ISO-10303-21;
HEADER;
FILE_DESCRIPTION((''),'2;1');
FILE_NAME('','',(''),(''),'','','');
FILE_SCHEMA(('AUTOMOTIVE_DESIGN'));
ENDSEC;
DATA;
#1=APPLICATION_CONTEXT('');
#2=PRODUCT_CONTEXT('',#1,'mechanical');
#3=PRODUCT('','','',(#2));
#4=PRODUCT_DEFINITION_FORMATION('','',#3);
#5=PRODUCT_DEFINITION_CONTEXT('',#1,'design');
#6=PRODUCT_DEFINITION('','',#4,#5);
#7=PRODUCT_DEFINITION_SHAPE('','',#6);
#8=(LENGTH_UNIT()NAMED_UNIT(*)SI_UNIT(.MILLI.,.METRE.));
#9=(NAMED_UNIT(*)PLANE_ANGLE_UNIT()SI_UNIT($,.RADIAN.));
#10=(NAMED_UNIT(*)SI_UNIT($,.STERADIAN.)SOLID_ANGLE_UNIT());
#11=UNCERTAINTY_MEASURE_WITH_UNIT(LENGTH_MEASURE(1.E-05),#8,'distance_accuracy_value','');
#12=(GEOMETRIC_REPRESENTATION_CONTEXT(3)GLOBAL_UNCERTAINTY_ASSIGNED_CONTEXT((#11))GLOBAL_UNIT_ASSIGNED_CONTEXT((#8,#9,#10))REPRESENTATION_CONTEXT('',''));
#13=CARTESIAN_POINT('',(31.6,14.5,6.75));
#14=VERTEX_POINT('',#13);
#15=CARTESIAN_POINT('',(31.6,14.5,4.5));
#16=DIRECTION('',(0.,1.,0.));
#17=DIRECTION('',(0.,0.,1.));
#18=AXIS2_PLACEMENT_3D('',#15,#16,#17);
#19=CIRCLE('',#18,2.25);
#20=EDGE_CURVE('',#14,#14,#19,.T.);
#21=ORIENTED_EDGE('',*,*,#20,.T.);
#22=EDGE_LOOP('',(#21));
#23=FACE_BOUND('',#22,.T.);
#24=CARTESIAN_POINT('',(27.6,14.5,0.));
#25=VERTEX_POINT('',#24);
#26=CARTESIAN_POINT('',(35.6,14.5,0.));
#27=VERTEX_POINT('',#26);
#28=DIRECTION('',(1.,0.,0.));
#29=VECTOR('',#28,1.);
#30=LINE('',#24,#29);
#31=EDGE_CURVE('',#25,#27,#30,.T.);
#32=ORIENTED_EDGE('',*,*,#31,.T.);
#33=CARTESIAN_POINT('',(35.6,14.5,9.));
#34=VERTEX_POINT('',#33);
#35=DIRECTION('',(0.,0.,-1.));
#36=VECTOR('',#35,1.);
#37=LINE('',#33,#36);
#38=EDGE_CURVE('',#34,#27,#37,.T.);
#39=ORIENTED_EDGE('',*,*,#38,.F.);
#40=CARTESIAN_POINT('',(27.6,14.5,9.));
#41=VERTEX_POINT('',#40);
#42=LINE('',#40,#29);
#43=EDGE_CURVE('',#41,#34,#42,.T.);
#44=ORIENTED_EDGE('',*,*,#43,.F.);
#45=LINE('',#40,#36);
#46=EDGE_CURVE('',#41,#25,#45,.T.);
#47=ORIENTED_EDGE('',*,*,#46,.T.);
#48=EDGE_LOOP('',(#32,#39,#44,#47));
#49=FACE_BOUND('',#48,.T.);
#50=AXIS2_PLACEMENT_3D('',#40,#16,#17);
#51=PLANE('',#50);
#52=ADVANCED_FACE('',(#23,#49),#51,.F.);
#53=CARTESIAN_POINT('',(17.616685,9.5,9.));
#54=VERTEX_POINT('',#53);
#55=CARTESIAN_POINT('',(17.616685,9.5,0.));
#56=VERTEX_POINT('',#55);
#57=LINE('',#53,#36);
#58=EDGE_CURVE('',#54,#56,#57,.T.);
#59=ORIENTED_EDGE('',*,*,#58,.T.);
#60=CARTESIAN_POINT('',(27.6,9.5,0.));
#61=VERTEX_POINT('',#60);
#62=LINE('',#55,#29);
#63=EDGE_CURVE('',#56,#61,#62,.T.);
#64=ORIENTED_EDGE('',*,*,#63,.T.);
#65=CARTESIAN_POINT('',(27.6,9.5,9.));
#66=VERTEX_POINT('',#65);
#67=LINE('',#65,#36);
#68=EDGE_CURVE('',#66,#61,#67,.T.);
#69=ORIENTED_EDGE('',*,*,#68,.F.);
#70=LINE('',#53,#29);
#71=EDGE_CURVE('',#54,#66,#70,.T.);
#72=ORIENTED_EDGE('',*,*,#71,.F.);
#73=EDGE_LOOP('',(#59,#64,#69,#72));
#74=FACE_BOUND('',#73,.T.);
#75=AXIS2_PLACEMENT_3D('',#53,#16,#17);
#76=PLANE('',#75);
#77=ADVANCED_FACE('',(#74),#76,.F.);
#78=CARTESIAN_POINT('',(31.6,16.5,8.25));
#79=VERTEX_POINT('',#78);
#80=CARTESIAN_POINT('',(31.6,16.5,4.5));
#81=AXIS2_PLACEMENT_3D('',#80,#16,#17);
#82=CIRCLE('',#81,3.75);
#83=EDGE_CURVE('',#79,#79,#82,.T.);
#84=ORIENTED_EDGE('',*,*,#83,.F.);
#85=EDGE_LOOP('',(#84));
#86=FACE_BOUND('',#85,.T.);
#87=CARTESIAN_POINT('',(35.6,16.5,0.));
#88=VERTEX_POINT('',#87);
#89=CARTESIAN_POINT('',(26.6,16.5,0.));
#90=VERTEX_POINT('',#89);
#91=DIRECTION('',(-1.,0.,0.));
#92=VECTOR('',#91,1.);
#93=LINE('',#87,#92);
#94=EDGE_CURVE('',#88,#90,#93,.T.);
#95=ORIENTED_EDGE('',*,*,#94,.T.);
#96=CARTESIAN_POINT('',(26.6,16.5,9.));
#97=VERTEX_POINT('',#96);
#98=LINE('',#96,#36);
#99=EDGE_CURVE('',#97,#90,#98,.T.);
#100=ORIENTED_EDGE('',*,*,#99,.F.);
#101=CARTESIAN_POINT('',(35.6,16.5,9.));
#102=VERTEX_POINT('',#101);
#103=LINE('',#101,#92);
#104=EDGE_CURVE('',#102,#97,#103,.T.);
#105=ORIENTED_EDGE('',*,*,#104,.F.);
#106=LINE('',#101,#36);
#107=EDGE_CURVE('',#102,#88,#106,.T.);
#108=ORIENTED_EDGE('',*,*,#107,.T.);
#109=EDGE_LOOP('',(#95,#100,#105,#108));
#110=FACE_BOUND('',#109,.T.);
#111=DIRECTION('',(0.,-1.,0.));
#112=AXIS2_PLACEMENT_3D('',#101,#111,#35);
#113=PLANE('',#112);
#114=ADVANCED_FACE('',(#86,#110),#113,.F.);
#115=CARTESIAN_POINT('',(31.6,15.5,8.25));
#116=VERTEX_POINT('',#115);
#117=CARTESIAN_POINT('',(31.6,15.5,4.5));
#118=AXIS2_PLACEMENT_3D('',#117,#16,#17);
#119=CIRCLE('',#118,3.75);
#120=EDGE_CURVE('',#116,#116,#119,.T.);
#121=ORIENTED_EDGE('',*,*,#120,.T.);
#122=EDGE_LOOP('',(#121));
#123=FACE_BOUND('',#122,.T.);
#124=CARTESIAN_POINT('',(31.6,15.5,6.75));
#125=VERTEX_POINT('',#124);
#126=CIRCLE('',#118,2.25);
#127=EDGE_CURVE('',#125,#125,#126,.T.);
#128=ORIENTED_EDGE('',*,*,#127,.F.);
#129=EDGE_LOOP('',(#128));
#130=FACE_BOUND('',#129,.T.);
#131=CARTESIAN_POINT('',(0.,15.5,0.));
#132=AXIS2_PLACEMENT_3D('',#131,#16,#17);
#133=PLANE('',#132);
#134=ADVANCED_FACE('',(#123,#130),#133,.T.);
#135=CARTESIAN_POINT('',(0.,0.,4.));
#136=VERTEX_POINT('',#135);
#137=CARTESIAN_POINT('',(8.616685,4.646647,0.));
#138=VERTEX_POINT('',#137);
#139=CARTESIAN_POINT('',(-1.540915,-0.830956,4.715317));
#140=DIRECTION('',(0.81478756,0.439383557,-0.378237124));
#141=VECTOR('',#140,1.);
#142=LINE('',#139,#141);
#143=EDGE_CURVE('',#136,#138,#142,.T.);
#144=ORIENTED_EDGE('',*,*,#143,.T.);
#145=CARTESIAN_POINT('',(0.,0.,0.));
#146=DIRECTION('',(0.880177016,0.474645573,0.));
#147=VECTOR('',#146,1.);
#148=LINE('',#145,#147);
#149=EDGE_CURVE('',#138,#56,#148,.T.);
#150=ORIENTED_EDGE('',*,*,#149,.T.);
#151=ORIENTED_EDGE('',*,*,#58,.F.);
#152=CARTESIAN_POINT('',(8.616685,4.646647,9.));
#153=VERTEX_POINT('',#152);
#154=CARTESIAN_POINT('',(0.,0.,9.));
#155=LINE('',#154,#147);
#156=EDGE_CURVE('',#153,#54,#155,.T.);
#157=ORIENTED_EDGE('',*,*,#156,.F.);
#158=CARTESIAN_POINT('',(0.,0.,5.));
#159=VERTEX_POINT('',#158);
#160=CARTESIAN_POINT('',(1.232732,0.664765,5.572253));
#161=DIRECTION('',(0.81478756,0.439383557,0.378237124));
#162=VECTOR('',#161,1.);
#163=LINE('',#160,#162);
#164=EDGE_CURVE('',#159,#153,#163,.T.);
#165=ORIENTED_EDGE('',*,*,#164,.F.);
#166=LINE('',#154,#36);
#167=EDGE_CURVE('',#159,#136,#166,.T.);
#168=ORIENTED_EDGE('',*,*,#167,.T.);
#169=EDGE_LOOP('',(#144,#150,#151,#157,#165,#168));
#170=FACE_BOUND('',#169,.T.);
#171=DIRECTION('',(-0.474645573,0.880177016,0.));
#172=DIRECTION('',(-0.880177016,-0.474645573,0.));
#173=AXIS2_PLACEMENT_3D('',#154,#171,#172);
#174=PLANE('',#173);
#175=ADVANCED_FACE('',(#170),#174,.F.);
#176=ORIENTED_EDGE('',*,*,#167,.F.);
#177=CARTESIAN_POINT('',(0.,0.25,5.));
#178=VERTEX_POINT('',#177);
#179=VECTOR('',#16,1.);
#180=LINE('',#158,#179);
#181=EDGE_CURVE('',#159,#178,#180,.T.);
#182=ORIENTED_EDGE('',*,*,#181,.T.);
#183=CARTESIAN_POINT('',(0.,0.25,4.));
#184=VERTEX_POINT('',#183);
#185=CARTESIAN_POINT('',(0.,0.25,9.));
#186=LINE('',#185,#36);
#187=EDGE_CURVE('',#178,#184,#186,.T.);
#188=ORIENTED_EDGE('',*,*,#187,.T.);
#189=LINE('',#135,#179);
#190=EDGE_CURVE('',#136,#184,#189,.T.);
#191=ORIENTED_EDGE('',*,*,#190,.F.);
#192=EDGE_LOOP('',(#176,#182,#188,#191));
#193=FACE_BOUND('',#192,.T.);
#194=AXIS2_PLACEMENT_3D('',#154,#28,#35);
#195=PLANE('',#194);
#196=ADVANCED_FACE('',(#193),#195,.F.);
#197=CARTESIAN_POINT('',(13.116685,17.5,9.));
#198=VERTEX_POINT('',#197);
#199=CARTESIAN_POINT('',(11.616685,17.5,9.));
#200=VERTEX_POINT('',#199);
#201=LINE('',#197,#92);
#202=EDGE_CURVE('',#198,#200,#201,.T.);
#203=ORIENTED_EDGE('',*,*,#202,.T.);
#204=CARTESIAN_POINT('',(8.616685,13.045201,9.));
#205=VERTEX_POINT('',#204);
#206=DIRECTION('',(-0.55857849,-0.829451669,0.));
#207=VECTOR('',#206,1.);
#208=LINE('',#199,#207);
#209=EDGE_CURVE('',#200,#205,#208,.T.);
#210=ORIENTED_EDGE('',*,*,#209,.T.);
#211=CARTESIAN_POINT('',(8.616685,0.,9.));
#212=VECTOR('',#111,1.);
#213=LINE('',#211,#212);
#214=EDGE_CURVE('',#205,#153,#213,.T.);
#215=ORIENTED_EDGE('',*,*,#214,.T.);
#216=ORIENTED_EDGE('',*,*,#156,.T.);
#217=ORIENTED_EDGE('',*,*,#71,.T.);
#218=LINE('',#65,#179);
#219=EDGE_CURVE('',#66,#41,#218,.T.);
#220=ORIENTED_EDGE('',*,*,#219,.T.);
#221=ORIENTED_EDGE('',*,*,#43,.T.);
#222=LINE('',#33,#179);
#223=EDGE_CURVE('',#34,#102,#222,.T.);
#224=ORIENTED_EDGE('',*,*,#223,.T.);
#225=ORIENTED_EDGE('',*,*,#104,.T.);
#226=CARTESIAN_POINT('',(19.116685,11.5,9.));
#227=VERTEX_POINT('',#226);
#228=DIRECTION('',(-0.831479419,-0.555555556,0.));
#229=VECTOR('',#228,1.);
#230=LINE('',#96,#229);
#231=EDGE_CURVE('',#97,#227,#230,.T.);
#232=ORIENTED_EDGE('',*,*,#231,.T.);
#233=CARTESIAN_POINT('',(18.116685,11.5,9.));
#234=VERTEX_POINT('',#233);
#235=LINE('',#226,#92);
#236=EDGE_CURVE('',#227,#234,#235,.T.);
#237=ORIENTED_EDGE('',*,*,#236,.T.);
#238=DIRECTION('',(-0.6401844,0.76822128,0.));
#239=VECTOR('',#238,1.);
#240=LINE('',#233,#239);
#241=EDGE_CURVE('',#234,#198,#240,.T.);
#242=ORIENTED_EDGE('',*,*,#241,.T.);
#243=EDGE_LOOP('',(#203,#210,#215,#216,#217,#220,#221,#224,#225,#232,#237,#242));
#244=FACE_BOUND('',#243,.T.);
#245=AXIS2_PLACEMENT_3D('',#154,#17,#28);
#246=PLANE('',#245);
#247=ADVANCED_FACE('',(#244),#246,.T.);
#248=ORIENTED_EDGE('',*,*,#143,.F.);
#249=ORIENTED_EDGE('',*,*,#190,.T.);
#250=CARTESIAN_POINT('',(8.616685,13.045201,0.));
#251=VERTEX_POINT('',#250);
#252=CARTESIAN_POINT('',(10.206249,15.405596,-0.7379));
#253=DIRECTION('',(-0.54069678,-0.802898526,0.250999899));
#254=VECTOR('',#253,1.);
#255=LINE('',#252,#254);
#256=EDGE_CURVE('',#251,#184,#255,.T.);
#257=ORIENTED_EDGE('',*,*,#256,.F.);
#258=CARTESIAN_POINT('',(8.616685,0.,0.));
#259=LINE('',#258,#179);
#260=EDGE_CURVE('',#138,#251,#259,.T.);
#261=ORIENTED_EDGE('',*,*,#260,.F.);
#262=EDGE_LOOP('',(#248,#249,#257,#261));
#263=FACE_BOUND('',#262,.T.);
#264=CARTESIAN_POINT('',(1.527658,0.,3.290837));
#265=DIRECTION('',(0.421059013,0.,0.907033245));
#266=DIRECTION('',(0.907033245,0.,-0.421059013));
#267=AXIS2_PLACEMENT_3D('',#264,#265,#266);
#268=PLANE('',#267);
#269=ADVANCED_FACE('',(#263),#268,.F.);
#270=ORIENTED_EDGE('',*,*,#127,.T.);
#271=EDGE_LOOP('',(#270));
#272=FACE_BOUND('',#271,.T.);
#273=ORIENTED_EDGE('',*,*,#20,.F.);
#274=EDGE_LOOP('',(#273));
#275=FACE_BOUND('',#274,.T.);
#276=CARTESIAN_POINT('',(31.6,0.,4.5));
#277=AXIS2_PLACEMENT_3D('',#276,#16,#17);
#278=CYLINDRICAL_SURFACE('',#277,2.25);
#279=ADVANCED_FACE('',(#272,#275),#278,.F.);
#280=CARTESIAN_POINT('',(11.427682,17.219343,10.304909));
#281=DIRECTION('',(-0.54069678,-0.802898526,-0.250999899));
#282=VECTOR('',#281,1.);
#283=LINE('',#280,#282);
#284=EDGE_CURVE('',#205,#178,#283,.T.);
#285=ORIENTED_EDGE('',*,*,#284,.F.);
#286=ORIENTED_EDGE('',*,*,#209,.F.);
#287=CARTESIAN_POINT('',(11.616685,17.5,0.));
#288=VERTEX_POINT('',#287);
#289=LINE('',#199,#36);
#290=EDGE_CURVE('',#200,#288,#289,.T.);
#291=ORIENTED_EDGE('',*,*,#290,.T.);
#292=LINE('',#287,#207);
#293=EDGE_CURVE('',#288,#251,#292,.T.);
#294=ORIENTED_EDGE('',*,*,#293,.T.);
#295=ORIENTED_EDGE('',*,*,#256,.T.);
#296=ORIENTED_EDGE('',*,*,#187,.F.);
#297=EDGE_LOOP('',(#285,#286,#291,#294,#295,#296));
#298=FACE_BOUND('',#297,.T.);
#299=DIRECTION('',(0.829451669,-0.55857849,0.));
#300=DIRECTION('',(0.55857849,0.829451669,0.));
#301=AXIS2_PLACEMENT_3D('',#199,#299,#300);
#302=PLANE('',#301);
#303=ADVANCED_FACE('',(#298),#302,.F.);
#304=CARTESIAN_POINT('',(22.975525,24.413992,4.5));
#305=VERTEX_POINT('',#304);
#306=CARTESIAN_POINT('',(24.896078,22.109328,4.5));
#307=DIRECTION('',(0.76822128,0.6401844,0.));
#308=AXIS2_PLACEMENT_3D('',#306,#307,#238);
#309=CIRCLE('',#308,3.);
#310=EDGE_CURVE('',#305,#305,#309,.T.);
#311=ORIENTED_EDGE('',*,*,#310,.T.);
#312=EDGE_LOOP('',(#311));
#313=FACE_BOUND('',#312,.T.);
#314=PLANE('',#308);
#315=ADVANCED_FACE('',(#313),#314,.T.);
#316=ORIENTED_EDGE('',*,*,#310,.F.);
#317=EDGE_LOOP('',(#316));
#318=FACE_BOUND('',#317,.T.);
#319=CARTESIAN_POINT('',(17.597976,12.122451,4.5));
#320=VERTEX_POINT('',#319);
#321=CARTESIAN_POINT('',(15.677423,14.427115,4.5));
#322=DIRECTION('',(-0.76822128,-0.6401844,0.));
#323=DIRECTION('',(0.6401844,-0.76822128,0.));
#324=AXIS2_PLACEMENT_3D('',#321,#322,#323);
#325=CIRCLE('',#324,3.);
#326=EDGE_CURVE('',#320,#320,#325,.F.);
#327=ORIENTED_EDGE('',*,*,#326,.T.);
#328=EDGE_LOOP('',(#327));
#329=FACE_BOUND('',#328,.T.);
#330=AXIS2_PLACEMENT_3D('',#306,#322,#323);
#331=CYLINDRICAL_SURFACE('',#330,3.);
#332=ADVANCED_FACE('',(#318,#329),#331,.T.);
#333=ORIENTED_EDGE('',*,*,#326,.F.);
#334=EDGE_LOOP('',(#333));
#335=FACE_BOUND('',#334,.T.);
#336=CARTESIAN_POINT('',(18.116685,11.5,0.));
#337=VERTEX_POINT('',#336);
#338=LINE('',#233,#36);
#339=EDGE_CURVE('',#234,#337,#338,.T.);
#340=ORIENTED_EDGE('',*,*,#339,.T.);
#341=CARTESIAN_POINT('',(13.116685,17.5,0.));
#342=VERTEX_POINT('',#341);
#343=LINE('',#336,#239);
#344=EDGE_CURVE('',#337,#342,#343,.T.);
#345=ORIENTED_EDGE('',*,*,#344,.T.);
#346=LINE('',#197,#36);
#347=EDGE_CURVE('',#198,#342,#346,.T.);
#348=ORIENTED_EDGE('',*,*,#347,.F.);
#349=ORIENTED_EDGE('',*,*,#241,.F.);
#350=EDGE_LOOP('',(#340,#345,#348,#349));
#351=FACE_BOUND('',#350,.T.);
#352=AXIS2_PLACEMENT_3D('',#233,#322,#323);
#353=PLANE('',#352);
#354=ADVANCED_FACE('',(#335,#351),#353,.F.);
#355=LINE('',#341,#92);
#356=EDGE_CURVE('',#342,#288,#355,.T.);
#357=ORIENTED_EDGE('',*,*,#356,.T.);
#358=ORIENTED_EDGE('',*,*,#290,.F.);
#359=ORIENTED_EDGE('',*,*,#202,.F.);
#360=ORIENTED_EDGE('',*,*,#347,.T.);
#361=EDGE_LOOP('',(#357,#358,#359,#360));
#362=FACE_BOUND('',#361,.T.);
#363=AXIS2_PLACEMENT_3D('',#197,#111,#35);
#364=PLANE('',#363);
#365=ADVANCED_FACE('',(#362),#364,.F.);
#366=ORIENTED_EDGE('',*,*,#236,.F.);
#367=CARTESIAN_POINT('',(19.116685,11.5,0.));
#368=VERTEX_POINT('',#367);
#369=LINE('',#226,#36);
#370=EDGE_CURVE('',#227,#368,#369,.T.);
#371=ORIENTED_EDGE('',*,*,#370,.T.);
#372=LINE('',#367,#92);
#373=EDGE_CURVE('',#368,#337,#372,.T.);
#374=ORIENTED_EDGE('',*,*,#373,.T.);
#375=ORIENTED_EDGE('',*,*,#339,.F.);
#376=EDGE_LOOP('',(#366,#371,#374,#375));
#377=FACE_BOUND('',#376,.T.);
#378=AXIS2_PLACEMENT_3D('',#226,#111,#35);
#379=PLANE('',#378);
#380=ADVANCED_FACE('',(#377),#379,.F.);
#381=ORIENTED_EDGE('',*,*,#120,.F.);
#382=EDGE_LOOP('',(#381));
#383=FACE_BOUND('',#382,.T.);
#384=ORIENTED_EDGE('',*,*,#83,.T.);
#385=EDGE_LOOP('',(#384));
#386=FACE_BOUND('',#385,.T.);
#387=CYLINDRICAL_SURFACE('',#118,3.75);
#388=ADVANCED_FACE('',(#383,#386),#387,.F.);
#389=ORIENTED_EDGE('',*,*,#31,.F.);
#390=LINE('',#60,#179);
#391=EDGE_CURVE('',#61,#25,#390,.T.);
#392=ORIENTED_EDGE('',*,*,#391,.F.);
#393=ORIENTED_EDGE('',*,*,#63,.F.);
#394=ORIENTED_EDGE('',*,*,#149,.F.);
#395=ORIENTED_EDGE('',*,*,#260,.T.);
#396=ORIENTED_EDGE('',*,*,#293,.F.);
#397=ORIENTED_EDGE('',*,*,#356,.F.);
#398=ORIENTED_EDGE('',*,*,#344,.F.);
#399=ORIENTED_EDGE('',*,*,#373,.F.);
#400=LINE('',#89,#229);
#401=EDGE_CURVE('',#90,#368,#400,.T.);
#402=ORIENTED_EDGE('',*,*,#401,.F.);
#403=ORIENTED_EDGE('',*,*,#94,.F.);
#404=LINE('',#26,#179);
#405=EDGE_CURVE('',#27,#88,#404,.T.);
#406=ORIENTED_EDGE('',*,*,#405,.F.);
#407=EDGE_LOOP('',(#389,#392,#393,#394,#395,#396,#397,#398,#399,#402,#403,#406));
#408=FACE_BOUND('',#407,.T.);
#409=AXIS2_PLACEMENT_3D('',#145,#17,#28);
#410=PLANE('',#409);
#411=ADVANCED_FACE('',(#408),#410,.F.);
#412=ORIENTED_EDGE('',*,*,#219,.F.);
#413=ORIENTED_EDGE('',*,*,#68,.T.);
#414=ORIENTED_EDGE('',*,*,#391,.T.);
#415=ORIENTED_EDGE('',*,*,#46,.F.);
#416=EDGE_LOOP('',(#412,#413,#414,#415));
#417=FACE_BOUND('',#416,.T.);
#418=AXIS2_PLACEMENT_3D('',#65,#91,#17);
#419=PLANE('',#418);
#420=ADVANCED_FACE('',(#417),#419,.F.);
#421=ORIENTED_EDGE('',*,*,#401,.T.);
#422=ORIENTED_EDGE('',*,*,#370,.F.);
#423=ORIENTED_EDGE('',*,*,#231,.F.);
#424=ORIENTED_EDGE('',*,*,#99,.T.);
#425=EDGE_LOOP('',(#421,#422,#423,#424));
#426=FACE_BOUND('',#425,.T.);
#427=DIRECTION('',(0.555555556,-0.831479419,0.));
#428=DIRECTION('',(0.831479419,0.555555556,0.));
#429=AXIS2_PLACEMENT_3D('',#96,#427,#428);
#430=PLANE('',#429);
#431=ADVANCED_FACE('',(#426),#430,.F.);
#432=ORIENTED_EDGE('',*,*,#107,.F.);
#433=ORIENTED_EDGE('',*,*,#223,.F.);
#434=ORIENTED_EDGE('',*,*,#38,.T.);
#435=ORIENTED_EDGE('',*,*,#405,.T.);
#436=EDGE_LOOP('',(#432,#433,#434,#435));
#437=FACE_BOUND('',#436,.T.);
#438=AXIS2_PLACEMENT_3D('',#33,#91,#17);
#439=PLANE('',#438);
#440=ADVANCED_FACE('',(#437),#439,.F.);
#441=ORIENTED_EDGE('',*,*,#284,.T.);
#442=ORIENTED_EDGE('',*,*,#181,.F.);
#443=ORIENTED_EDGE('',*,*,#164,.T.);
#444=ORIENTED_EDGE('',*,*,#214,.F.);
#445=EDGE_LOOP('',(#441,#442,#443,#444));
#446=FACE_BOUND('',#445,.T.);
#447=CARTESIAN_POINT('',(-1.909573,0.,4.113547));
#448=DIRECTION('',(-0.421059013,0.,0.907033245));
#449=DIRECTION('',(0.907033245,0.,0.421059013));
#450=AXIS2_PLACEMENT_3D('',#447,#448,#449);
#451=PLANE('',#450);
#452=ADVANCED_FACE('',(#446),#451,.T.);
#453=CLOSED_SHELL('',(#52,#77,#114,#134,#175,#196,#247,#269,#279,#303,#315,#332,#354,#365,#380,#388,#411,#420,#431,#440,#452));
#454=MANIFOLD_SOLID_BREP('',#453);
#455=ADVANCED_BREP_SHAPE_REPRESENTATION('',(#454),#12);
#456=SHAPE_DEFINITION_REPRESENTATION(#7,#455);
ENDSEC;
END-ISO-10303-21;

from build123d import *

# Parameters (mm, degrees)
BOSS_EXTRUDE1_DEPTH = 9
SKETCH2_R           = 2.25
CUT_EXTRUDE1_DEPTH  = 16.5
SKETCH2_3_R         = 3.75
SKETCH2_3_R_2       = 2.25
CUT_EXTRUDE2_DEPTH  = 1
SKETCH3_R           = 3
BOSS_EXTRUDE2_DEPTH = 12


with BuildPart() as part:
    # Sketch1 → Boss-Extrude1 (new body)
    with BuildSketch(Plane.XY):
        Polygon((0, 0), (17.616685226, 9.5), (27.6, 9.5), (27.6, 14.5), (35.6, 14.5), (35.6, 16.5), (26.6, 16.5), (19.116685226, 11.5), (18.116685226, 11.5), (13.116685226, 17.5), (11.616685226, 17.5), (0, 0.25), align=None)
    extrude(amount=BOSS_EXTRUDE1_DEPTH)

    # Sketch2 → Cut-Extrude1 (cut)
    with BuildSketch(Plane(origin=(0, 16.5, 0), x_dir=(1, 0, 0), z_dir=(0, 1, 0))):
        with Locations(Location((31.6, -4.5, 0), (0, 0, 270))):
            Circle(SKETCH2_R)
        Polygon((0, 0), (0, -4), (8.616685226, 0), align=None)
        Polygon((0, -5), (8.616685226, -9), (0, -9), align=None)
    extrude(amount=-CUT_EXTRUDE1_DEPTH, mode=Mode.SUBTRACT)

    # Sketch2<3> → Cut-Extrude2 (cut)
    with BuildSketch(Plane(origin=(0, 16.5, 0), x_dir=(1, 0, 0), z_dir=(0, 1, 0))):
        with Locations(Location((31.6, -4.5, 0), (0, 0, 270))):
            Circle(SKETCH2_3_R)
        with Locations(Location((31.6, -4.5, 0), (0, 0, 270))):
            Circle(SKETCH2_3_R_2, mode=Mode.SUBTRACT)
    extrude(amount=-CUT_EXTRUDE2_DEPTH, mode=Mode.SUBTRACT)

    # Sketch3 → Boss-Extrude2 (add)
    with BuildSketch(Plane(origin=(16.347551937, 13.622959947, 0), x_dir=(0, 0, -1), z_dir=(0.768221279597376, 0.6401843996644799, 0))):
        with Locations(Location((-4.5, 1.046775136, 0), (0, 0, 270))):
            Circle(SKETCH3_R)
    extrude(amount=BOSS_EXTRUDE2_DEPTH)


solid = part.part
